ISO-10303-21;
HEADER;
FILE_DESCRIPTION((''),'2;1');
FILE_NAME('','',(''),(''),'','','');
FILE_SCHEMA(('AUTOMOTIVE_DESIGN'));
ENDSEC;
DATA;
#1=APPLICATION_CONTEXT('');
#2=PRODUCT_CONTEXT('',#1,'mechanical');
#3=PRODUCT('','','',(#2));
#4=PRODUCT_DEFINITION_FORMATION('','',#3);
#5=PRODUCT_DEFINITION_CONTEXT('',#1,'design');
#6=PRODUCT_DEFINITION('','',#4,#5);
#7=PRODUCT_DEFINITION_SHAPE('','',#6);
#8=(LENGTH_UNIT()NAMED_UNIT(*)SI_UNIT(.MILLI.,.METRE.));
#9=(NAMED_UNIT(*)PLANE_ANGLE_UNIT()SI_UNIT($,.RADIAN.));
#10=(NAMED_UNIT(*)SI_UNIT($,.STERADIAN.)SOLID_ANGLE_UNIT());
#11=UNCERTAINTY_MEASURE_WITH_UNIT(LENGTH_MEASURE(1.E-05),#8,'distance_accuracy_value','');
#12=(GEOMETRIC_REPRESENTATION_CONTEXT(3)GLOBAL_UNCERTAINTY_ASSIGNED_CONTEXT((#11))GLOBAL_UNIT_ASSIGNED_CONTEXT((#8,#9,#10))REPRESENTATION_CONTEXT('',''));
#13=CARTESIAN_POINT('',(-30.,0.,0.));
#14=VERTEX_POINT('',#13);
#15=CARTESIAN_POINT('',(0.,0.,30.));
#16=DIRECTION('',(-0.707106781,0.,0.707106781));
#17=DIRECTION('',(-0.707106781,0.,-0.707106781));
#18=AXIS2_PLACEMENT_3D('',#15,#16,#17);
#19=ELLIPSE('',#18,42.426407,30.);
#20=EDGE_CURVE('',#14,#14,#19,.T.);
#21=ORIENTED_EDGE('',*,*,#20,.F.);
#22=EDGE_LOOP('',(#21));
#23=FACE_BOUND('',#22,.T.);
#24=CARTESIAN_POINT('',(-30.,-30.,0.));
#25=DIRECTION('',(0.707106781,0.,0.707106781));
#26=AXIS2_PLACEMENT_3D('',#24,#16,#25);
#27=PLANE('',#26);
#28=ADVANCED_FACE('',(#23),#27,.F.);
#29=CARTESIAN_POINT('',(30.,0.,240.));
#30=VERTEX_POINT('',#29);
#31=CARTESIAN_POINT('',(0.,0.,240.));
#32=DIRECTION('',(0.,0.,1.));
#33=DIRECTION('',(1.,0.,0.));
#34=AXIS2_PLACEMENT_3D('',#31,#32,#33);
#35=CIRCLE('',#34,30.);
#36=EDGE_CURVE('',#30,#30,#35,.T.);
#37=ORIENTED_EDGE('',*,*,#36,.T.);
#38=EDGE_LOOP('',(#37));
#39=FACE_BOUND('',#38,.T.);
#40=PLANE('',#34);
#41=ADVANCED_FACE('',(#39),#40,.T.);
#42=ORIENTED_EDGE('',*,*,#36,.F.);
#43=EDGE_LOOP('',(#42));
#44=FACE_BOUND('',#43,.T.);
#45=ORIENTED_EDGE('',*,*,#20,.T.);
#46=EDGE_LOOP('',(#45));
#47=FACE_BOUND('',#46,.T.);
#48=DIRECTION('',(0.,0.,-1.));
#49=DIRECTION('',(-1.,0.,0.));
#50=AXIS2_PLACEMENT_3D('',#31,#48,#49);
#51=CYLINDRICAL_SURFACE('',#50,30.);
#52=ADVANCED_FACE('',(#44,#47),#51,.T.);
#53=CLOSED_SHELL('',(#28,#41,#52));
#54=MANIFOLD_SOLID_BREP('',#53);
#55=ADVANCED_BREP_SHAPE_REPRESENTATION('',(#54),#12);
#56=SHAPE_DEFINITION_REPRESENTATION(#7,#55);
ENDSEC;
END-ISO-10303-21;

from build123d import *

# Parameters (mm, degrees)
SKETCH1_R           = 30
BOSS_EXTRUDE2_DEPTH = 240
CUT_EXTRUDE1_DEPTH  = 70


with BuildPart() as part:
    # Sketch1 → Boss-Extrude2 (new body)
    with BuildSketch(Plane.XY):
        Circle(SKETCH1_R)
    extrude(amount=BOSS_EXTRUDE2_DEPTH)

    # Sketch3 → Cut-Extrude1 (cut)
    with BuildSketch(Plane(origin=(0, 40, 0), x_dir=(1, 0, 0), z_dir=(0, 1, 0))):
        Polygon((-30, 0), (30, -60), (30, 0), align=None)
    extrude(amount=-CUT_EXTRUDE1_DEPTH, mode=Mode.SUBTRACT)


solid = part.part
